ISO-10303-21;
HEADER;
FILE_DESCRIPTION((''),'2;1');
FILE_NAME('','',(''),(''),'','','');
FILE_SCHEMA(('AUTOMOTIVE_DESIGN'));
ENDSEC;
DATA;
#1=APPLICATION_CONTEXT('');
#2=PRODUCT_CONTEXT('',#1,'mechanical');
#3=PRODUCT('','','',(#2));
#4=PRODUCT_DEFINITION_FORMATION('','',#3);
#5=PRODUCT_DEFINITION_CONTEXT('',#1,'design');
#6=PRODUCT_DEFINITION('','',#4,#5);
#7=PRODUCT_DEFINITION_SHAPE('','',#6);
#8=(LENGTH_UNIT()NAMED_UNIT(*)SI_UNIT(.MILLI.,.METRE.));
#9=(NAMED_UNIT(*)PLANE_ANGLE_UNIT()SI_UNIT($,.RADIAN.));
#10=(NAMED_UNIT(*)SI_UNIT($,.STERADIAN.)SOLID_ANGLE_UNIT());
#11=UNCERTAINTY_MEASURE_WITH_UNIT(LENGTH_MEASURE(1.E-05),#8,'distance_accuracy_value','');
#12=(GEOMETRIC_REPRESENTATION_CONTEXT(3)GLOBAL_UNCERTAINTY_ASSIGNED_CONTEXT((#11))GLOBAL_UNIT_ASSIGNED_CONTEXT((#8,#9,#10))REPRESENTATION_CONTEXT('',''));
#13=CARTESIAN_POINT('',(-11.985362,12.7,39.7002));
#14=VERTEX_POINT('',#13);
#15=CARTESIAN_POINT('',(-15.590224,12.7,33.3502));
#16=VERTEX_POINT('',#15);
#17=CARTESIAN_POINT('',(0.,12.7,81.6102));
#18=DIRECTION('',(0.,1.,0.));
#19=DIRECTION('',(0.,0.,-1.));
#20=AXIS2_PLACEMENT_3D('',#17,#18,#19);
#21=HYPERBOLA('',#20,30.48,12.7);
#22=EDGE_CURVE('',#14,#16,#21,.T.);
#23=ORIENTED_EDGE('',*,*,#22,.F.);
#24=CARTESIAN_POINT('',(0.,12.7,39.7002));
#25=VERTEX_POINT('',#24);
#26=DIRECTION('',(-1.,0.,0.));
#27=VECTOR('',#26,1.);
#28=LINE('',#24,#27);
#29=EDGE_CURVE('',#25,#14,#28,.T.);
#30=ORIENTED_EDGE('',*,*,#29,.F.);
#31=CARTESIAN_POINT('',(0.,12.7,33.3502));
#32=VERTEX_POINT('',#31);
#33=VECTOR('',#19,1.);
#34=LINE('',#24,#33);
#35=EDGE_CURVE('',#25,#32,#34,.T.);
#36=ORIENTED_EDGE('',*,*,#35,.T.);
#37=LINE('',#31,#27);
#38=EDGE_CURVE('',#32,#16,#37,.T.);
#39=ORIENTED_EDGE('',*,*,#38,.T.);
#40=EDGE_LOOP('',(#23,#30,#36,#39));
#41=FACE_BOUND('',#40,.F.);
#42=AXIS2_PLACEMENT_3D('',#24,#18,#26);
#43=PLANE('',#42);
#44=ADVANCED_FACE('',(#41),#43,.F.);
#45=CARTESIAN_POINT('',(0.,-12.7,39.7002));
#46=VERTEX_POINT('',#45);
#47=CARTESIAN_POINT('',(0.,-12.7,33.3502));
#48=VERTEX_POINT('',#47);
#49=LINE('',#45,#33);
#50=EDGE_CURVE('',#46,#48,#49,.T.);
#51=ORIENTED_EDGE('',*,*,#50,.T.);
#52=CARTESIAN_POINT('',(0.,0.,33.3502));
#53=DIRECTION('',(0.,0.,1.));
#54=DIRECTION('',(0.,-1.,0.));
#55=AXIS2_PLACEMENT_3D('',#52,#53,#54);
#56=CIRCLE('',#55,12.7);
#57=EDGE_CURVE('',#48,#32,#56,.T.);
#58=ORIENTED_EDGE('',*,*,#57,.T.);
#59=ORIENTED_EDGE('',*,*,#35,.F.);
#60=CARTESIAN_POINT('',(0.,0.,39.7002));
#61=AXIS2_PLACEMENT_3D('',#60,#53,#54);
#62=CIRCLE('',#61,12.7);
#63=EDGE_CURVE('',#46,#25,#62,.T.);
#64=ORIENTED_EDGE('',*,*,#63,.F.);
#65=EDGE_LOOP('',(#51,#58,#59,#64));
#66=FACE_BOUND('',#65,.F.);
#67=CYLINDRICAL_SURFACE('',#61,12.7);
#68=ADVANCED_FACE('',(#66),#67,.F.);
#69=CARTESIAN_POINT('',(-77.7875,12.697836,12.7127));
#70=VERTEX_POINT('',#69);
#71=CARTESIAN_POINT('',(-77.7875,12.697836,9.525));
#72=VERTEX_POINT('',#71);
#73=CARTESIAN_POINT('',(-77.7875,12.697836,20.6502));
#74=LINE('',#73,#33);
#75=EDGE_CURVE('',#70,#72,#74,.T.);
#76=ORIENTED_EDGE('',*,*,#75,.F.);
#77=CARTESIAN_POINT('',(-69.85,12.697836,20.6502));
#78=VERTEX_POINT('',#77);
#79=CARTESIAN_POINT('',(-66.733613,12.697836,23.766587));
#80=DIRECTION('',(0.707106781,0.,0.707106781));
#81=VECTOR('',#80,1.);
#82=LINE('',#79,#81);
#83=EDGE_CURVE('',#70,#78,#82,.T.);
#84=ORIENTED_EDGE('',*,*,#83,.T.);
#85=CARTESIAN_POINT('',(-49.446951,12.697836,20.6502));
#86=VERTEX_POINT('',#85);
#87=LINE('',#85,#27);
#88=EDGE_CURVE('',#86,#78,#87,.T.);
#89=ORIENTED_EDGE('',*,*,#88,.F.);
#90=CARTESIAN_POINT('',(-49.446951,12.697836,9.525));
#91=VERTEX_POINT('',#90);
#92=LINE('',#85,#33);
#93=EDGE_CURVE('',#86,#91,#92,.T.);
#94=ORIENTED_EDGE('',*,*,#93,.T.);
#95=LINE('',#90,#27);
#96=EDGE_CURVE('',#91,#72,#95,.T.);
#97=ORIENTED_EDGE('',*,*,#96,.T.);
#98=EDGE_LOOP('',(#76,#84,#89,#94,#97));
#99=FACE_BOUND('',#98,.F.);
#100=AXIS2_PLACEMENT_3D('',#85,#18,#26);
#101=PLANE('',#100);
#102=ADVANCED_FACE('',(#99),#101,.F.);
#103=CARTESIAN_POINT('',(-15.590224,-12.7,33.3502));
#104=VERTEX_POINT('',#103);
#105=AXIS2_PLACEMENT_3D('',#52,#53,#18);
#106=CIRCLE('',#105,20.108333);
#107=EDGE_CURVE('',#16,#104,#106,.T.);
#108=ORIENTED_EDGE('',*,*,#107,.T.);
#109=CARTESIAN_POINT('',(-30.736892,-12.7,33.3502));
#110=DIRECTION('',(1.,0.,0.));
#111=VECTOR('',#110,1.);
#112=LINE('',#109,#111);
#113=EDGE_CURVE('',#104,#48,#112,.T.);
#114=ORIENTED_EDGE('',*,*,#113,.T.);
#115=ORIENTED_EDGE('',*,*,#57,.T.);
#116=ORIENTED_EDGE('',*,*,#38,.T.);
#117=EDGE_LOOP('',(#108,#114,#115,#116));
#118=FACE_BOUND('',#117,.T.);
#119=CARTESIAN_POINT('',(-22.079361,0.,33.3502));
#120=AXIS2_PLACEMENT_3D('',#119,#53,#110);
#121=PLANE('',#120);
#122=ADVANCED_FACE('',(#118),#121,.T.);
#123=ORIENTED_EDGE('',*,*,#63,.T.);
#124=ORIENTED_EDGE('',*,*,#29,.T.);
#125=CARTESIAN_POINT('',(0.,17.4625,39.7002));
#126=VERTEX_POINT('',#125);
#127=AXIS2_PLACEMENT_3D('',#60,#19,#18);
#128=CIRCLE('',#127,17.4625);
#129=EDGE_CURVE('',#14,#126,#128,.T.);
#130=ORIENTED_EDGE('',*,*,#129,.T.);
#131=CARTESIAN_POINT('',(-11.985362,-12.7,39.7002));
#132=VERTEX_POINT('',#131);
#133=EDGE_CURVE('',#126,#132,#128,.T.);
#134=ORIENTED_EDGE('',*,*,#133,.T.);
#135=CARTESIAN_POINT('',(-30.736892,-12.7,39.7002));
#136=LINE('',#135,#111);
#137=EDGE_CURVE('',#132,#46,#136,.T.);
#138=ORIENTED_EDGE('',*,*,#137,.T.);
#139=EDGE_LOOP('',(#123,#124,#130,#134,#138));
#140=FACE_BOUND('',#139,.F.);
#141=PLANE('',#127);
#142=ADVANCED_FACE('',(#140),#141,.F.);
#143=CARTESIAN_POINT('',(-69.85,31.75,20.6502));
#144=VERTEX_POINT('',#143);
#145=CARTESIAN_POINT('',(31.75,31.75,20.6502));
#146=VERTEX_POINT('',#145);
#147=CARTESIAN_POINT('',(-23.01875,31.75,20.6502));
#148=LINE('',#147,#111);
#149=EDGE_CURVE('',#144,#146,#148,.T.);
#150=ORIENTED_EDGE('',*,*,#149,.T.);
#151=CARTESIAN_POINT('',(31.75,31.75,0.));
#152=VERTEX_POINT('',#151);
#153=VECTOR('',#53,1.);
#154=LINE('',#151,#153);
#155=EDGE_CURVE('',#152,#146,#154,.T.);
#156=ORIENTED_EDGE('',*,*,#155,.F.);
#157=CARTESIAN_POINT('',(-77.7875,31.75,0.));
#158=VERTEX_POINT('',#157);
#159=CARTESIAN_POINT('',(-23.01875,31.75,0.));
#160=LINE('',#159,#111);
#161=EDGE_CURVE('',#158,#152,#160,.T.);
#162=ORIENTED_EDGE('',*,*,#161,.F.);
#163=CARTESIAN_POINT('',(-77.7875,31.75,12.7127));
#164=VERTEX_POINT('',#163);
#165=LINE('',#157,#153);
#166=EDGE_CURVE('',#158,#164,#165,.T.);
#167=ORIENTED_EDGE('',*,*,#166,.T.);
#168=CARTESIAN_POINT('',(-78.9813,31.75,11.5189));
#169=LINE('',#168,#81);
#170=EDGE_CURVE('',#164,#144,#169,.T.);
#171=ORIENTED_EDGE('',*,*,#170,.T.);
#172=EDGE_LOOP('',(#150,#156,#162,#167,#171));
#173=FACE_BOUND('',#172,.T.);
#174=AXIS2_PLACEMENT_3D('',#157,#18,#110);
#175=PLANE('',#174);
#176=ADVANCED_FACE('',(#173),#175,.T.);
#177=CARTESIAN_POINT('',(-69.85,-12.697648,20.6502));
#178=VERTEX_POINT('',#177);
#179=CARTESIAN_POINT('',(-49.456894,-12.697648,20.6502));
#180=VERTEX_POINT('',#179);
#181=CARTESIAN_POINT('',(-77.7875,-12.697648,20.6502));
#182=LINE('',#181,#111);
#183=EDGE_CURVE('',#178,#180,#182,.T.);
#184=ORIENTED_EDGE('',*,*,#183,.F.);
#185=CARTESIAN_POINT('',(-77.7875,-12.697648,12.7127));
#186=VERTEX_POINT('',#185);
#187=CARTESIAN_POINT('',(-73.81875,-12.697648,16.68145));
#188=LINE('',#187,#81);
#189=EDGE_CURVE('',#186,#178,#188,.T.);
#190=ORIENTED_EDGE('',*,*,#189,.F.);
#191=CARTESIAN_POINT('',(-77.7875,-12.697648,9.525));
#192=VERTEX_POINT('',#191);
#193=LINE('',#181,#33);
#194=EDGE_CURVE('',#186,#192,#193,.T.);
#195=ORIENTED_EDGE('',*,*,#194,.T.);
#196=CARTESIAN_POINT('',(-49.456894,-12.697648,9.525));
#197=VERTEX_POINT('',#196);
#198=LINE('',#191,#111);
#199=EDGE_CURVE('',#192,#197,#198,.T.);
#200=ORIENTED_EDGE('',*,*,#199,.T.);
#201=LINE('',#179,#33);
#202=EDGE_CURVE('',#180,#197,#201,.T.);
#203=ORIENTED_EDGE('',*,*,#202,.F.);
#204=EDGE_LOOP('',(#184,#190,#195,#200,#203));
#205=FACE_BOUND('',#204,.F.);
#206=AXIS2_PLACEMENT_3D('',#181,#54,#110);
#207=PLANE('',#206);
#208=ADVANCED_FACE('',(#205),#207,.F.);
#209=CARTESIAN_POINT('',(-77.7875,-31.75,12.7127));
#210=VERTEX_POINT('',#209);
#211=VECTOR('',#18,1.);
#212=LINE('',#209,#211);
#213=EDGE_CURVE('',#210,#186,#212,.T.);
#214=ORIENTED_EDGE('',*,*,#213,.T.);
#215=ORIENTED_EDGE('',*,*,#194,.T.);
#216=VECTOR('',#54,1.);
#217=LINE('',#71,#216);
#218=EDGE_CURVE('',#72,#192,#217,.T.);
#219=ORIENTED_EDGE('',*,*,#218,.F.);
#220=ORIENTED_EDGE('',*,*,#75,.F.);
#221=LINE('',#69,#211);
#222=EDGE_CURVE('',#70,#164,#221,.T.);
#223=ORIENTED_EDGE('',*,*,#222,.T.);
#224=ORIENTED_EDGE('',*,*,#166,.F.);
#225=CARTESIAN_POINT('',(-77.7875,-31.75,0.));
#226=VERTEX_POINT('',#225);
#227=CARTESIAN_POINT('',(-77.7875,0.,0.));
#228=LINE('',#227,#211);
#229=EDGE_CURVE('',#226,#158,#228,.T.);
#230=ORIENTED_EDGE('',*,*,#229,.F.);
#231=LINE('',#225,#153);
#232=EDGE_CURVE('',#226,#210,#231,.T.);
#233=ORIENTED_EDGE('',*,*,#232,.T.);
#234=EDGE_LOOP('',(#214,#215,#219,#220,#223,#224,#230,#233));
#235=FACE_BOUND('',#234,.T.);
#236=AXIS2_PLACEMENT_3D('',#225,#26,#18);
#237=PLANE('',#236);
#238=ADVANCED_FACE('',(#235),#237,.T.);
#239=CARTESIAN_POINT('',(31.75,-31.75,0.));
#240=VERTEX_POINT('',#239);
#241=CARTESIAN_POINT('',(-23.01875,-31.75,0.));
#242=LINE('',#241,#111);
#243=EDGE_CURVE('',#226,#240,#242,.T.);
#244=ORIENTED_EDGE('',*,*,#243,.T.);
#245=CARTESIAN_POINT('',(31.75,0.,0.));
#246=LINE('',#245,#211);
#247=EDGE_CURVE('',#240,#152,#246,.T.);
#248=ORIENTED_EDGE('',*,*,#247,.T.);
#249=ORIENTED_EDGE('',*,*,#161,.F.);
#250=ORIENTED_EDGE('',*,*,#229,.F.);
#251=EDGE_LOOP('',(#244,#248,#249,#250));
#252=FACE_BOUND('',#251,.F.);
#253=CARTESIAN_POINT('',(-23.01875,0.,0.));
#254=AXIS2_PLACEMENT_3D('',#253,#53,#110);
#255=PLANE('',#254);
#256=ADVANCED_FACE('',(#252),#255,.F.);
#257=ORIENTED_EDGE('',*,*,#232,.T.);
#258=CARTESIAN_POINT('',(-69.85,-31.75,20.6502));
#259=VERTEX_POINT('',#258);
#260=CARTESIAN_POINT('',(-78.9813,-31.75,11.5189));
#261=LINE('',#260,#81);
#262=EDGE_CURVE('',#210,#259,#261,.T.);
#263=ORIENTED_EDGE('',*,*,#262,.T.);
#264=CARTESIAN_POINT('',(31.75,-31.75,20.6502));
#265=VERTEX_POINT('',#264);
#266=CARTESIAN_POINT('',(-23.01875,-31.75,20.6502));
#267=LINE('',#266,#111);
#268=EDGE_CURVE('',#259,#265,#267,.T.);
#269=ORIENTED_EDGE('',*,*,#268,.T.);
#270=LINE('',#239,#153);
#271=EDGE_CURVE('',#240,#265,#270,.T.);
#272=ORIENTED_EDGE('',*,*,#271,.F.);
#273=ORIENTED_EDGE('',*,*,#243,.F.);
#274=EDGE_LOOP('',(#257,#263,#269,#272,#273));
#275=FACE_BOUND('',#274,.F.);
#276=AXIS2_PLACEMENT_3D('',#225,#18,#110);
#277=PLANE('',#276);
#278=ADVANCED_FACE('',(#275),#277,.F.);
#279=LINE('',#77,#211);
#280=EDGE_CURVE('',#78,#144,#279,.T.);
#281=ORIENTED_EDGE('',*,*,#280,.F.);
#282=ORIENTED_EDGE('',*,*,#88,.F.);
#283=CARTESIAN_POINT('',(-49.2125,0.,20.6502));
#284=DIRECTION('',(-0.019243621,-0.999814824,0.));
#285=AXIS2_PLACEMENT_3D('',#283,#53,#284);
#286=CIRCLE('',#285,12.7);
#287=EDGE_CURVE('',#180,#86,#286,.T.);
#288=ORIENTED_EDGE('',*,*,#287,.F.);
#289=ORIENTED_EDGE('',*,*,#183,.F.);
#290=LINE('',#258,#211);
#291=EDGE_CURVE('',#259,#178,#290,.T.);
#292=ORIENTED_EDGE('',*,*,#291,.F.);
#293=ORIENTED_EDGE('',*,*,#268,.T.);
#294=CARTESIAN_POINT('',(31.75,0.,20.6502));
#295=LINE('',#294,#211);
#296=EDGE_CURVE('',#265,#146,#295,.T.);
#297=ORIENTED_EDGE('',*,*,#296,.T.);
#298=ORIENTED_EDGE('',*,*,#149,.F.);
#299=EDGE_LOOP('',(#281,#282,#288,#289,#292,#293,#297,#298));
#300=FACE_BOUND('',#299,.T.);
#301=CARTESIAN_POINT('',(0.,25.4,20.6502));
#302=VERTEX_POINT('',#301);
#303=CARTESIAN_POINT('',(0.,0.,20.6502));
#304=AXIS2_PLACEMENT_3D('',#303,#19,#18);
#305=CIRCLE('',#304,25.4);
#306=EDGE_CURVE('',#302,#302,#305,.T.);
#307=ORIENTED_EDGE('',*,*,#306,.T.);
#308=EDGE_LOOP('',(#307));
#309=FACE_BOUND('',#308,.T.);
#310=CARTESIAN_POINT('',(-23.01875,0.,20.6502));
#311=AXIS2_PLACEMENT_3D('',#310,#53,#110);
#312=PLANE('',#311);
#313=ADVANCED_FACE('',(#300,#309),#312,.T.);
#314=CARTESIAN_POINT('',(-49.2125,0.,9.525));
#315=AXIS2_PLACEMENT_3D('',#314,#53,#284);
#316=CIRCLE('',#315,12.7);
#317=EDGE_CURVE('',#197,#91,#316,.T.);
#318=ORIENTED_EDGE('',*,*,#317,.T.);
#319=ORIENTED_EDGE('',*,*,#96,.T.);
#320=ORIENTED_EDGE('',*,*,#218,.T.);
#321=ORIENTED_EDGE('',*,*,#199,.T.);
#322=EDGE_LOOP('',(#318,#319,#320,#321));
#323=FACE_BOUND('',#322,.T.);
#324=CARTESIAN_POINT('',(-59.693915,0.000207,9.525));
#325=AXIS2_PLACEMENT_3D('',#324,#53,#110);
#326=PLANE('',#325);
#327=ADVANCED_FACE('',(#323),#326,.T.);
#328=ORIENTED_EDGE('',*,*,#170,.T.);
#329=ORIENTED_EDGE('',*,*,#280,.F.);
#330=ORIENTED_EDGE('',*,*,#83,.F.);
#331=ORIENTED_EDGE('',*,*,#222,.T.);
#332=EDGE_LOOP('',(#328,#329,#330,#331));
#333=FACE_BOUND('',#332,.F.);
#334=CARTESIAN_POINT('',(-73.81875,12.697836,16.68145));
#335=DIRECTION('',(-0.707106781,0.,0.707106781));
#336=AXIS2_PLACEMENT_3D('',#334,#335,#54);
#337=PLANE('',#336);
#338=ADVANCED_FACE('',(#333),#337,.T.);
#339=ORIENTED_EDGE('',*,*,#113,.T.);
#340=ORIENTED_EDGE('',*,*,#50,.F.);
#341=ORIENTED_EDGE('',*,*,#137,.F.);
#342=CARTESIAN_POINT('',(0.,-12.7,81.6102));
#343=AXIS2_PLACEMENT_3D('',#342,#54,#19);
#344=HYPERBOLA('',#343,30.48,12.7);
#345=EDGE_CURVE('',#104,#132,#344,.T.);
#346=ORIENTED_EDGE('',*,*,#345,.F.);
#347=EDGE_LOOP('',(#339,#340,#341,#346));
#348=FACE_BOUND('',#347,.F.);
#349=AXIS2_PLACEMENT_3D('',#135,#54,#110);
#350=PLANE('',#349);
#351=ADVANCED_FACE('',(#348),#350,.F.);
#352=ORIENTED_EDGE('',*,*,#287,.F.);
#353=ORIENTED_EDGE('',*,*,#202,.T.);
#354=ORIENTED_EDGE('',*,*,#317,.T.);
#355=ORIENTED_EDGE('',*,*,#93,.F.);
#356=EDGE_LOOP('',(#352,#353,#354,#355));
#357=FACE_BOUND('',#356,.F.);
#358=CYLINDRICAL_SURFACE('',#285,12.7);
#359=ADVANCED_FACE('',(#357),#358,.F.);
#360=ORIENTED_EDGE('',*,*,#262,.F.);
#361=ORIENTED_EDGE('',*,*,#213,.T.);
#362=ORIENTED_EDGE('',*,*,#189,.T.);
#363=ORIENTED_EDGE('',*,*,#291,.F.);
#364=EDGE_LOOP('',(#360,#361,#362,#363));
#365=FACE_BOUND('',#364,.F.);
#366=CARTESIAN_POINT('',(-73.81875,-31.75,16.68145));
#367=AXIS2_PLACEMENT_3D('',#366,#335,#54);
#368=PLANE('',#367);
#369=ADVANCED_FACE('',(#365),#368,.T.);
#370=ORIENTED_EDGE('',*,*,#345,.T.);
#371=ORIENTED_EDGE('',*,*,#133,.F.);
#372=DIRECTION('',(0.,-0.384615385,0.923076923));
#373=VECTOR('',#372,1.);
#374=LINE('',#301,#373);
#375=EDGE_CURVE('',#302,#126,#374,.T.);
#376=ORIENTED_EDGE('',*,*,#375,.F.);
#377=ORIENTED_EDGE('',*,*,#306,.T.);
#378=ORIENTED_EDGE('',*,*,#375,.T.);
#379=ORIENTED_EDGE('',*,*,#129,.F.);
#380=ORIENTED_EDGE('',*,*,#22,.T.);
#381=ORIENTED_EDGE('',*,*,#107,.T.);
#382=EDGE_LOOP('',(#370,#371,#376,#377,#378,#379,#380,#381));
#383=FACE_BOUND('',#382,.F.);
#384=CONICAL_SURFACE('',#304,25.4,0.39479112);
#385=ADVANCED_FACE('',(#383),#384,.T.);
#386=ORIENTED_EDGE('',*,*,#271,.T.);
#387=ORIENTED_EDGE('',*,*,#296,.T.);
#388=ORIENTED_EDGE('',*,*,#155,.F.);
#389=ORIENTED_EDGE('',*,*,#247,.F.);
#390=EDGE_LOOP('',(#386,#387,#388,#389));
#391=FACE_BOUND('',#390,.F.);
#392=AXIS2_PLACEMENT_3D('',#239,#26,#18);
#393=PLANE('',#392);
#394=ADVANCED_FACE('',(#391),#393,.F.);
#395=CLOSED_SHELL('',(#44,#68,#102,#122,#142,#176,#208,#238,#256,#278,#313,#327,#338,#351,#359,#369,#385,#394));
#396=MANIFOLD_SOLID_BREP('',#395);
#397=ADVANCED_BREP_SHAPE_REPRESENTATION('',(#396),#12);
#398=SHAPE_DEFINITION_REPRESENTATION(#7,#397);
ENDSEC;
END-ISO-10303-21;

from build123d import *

# Parameters (mm, degrees)
F0_W     = 109.5375
F0_H     = 63.5
F1_DEPTH = 20.6502
F5_DEPTH = 6.35
F7_DEPTH = 11.1252
F8_SIZE  = 7.9375


with BuildPart() as f1:
    # F0 (on Top) → F1 (new body)
    with BuildSketch(Plane.XY):
        with Locations((-23.01875, 0)):
            Rectangle(F0_W, F0_H)
    extrude(amount=F1_DEPTH)

    # F2 (on Right) → F3 (revolve)
    with BuildSketch(Plane.YZ):
        Polygon((0, 20.6502), (25.4, 20.6502), (17.4625, 39.7002), (0, 39.7002), align=None)
    revolve(axis=Axis((0, 0, 30.1752), (0, 0, -1)))

    # F4 (on face) → F5 (cut)
    with BuildSketch(Plane.XY.offset(39.7002)):
        with BuildLine():
            Line((-30.736892, -12.7), (-11.985362, -12.7))
            ThreePointArc((-11.985362, -12.7), (-17.4625, 0), (-11.985362, 12.7))
            Line((-11.985362, 12.7), (-30.736892, 12.7))
            Line((-30.736892, 12.7), (-30.736892, -12.7))
        make_face()
        with BuildLine():
            Line((-11.985362, -12.7), (0, -12.7))
            ThreePointArc((0, -12.7), (12.7, 0), (0, 12.7))
            Line((0, 12.7), (-11.985362, 12.7))
            ThreePointArc((-11.985362, 12.7), (-17.4625, 0), (-11.985362, -12.7))
        make_face()
    extrude(amount=-F5_DEPTH, mode=Mode.SUBTRACT)

    # F6 (on face) → F7 (cut)
    with BuildSketch(Plane.XY.offset(20.6502)):
        with BuildLine():
            Line((-77.7875, -12.697648), (-49.456894, -12.697648))
            ThreePointArc((-49.456894, -12.697648), (-36.512501, -0.004972), (-49.446951, 12.697836))
            Line((-49.446951, 12.697836), (-77.7875, 12.697836))
            Line((-77.7875, 12.697836), (-77.7875, -12.697648))
        make_face()
    extrude(amount=-F7_DEPTH, mode=Mode.SUBTRACT)

    # F8
    f8_edges = [f1.edges().sort_by_distance(p)[0] for p in [
        (-77.7875, -22.223824, 20.6502),
        (-77.7875, 22.223918, 20.6502),
    ]]
    chamfer(f8_edges, length=F8_SIZE)


solid = f1.part
